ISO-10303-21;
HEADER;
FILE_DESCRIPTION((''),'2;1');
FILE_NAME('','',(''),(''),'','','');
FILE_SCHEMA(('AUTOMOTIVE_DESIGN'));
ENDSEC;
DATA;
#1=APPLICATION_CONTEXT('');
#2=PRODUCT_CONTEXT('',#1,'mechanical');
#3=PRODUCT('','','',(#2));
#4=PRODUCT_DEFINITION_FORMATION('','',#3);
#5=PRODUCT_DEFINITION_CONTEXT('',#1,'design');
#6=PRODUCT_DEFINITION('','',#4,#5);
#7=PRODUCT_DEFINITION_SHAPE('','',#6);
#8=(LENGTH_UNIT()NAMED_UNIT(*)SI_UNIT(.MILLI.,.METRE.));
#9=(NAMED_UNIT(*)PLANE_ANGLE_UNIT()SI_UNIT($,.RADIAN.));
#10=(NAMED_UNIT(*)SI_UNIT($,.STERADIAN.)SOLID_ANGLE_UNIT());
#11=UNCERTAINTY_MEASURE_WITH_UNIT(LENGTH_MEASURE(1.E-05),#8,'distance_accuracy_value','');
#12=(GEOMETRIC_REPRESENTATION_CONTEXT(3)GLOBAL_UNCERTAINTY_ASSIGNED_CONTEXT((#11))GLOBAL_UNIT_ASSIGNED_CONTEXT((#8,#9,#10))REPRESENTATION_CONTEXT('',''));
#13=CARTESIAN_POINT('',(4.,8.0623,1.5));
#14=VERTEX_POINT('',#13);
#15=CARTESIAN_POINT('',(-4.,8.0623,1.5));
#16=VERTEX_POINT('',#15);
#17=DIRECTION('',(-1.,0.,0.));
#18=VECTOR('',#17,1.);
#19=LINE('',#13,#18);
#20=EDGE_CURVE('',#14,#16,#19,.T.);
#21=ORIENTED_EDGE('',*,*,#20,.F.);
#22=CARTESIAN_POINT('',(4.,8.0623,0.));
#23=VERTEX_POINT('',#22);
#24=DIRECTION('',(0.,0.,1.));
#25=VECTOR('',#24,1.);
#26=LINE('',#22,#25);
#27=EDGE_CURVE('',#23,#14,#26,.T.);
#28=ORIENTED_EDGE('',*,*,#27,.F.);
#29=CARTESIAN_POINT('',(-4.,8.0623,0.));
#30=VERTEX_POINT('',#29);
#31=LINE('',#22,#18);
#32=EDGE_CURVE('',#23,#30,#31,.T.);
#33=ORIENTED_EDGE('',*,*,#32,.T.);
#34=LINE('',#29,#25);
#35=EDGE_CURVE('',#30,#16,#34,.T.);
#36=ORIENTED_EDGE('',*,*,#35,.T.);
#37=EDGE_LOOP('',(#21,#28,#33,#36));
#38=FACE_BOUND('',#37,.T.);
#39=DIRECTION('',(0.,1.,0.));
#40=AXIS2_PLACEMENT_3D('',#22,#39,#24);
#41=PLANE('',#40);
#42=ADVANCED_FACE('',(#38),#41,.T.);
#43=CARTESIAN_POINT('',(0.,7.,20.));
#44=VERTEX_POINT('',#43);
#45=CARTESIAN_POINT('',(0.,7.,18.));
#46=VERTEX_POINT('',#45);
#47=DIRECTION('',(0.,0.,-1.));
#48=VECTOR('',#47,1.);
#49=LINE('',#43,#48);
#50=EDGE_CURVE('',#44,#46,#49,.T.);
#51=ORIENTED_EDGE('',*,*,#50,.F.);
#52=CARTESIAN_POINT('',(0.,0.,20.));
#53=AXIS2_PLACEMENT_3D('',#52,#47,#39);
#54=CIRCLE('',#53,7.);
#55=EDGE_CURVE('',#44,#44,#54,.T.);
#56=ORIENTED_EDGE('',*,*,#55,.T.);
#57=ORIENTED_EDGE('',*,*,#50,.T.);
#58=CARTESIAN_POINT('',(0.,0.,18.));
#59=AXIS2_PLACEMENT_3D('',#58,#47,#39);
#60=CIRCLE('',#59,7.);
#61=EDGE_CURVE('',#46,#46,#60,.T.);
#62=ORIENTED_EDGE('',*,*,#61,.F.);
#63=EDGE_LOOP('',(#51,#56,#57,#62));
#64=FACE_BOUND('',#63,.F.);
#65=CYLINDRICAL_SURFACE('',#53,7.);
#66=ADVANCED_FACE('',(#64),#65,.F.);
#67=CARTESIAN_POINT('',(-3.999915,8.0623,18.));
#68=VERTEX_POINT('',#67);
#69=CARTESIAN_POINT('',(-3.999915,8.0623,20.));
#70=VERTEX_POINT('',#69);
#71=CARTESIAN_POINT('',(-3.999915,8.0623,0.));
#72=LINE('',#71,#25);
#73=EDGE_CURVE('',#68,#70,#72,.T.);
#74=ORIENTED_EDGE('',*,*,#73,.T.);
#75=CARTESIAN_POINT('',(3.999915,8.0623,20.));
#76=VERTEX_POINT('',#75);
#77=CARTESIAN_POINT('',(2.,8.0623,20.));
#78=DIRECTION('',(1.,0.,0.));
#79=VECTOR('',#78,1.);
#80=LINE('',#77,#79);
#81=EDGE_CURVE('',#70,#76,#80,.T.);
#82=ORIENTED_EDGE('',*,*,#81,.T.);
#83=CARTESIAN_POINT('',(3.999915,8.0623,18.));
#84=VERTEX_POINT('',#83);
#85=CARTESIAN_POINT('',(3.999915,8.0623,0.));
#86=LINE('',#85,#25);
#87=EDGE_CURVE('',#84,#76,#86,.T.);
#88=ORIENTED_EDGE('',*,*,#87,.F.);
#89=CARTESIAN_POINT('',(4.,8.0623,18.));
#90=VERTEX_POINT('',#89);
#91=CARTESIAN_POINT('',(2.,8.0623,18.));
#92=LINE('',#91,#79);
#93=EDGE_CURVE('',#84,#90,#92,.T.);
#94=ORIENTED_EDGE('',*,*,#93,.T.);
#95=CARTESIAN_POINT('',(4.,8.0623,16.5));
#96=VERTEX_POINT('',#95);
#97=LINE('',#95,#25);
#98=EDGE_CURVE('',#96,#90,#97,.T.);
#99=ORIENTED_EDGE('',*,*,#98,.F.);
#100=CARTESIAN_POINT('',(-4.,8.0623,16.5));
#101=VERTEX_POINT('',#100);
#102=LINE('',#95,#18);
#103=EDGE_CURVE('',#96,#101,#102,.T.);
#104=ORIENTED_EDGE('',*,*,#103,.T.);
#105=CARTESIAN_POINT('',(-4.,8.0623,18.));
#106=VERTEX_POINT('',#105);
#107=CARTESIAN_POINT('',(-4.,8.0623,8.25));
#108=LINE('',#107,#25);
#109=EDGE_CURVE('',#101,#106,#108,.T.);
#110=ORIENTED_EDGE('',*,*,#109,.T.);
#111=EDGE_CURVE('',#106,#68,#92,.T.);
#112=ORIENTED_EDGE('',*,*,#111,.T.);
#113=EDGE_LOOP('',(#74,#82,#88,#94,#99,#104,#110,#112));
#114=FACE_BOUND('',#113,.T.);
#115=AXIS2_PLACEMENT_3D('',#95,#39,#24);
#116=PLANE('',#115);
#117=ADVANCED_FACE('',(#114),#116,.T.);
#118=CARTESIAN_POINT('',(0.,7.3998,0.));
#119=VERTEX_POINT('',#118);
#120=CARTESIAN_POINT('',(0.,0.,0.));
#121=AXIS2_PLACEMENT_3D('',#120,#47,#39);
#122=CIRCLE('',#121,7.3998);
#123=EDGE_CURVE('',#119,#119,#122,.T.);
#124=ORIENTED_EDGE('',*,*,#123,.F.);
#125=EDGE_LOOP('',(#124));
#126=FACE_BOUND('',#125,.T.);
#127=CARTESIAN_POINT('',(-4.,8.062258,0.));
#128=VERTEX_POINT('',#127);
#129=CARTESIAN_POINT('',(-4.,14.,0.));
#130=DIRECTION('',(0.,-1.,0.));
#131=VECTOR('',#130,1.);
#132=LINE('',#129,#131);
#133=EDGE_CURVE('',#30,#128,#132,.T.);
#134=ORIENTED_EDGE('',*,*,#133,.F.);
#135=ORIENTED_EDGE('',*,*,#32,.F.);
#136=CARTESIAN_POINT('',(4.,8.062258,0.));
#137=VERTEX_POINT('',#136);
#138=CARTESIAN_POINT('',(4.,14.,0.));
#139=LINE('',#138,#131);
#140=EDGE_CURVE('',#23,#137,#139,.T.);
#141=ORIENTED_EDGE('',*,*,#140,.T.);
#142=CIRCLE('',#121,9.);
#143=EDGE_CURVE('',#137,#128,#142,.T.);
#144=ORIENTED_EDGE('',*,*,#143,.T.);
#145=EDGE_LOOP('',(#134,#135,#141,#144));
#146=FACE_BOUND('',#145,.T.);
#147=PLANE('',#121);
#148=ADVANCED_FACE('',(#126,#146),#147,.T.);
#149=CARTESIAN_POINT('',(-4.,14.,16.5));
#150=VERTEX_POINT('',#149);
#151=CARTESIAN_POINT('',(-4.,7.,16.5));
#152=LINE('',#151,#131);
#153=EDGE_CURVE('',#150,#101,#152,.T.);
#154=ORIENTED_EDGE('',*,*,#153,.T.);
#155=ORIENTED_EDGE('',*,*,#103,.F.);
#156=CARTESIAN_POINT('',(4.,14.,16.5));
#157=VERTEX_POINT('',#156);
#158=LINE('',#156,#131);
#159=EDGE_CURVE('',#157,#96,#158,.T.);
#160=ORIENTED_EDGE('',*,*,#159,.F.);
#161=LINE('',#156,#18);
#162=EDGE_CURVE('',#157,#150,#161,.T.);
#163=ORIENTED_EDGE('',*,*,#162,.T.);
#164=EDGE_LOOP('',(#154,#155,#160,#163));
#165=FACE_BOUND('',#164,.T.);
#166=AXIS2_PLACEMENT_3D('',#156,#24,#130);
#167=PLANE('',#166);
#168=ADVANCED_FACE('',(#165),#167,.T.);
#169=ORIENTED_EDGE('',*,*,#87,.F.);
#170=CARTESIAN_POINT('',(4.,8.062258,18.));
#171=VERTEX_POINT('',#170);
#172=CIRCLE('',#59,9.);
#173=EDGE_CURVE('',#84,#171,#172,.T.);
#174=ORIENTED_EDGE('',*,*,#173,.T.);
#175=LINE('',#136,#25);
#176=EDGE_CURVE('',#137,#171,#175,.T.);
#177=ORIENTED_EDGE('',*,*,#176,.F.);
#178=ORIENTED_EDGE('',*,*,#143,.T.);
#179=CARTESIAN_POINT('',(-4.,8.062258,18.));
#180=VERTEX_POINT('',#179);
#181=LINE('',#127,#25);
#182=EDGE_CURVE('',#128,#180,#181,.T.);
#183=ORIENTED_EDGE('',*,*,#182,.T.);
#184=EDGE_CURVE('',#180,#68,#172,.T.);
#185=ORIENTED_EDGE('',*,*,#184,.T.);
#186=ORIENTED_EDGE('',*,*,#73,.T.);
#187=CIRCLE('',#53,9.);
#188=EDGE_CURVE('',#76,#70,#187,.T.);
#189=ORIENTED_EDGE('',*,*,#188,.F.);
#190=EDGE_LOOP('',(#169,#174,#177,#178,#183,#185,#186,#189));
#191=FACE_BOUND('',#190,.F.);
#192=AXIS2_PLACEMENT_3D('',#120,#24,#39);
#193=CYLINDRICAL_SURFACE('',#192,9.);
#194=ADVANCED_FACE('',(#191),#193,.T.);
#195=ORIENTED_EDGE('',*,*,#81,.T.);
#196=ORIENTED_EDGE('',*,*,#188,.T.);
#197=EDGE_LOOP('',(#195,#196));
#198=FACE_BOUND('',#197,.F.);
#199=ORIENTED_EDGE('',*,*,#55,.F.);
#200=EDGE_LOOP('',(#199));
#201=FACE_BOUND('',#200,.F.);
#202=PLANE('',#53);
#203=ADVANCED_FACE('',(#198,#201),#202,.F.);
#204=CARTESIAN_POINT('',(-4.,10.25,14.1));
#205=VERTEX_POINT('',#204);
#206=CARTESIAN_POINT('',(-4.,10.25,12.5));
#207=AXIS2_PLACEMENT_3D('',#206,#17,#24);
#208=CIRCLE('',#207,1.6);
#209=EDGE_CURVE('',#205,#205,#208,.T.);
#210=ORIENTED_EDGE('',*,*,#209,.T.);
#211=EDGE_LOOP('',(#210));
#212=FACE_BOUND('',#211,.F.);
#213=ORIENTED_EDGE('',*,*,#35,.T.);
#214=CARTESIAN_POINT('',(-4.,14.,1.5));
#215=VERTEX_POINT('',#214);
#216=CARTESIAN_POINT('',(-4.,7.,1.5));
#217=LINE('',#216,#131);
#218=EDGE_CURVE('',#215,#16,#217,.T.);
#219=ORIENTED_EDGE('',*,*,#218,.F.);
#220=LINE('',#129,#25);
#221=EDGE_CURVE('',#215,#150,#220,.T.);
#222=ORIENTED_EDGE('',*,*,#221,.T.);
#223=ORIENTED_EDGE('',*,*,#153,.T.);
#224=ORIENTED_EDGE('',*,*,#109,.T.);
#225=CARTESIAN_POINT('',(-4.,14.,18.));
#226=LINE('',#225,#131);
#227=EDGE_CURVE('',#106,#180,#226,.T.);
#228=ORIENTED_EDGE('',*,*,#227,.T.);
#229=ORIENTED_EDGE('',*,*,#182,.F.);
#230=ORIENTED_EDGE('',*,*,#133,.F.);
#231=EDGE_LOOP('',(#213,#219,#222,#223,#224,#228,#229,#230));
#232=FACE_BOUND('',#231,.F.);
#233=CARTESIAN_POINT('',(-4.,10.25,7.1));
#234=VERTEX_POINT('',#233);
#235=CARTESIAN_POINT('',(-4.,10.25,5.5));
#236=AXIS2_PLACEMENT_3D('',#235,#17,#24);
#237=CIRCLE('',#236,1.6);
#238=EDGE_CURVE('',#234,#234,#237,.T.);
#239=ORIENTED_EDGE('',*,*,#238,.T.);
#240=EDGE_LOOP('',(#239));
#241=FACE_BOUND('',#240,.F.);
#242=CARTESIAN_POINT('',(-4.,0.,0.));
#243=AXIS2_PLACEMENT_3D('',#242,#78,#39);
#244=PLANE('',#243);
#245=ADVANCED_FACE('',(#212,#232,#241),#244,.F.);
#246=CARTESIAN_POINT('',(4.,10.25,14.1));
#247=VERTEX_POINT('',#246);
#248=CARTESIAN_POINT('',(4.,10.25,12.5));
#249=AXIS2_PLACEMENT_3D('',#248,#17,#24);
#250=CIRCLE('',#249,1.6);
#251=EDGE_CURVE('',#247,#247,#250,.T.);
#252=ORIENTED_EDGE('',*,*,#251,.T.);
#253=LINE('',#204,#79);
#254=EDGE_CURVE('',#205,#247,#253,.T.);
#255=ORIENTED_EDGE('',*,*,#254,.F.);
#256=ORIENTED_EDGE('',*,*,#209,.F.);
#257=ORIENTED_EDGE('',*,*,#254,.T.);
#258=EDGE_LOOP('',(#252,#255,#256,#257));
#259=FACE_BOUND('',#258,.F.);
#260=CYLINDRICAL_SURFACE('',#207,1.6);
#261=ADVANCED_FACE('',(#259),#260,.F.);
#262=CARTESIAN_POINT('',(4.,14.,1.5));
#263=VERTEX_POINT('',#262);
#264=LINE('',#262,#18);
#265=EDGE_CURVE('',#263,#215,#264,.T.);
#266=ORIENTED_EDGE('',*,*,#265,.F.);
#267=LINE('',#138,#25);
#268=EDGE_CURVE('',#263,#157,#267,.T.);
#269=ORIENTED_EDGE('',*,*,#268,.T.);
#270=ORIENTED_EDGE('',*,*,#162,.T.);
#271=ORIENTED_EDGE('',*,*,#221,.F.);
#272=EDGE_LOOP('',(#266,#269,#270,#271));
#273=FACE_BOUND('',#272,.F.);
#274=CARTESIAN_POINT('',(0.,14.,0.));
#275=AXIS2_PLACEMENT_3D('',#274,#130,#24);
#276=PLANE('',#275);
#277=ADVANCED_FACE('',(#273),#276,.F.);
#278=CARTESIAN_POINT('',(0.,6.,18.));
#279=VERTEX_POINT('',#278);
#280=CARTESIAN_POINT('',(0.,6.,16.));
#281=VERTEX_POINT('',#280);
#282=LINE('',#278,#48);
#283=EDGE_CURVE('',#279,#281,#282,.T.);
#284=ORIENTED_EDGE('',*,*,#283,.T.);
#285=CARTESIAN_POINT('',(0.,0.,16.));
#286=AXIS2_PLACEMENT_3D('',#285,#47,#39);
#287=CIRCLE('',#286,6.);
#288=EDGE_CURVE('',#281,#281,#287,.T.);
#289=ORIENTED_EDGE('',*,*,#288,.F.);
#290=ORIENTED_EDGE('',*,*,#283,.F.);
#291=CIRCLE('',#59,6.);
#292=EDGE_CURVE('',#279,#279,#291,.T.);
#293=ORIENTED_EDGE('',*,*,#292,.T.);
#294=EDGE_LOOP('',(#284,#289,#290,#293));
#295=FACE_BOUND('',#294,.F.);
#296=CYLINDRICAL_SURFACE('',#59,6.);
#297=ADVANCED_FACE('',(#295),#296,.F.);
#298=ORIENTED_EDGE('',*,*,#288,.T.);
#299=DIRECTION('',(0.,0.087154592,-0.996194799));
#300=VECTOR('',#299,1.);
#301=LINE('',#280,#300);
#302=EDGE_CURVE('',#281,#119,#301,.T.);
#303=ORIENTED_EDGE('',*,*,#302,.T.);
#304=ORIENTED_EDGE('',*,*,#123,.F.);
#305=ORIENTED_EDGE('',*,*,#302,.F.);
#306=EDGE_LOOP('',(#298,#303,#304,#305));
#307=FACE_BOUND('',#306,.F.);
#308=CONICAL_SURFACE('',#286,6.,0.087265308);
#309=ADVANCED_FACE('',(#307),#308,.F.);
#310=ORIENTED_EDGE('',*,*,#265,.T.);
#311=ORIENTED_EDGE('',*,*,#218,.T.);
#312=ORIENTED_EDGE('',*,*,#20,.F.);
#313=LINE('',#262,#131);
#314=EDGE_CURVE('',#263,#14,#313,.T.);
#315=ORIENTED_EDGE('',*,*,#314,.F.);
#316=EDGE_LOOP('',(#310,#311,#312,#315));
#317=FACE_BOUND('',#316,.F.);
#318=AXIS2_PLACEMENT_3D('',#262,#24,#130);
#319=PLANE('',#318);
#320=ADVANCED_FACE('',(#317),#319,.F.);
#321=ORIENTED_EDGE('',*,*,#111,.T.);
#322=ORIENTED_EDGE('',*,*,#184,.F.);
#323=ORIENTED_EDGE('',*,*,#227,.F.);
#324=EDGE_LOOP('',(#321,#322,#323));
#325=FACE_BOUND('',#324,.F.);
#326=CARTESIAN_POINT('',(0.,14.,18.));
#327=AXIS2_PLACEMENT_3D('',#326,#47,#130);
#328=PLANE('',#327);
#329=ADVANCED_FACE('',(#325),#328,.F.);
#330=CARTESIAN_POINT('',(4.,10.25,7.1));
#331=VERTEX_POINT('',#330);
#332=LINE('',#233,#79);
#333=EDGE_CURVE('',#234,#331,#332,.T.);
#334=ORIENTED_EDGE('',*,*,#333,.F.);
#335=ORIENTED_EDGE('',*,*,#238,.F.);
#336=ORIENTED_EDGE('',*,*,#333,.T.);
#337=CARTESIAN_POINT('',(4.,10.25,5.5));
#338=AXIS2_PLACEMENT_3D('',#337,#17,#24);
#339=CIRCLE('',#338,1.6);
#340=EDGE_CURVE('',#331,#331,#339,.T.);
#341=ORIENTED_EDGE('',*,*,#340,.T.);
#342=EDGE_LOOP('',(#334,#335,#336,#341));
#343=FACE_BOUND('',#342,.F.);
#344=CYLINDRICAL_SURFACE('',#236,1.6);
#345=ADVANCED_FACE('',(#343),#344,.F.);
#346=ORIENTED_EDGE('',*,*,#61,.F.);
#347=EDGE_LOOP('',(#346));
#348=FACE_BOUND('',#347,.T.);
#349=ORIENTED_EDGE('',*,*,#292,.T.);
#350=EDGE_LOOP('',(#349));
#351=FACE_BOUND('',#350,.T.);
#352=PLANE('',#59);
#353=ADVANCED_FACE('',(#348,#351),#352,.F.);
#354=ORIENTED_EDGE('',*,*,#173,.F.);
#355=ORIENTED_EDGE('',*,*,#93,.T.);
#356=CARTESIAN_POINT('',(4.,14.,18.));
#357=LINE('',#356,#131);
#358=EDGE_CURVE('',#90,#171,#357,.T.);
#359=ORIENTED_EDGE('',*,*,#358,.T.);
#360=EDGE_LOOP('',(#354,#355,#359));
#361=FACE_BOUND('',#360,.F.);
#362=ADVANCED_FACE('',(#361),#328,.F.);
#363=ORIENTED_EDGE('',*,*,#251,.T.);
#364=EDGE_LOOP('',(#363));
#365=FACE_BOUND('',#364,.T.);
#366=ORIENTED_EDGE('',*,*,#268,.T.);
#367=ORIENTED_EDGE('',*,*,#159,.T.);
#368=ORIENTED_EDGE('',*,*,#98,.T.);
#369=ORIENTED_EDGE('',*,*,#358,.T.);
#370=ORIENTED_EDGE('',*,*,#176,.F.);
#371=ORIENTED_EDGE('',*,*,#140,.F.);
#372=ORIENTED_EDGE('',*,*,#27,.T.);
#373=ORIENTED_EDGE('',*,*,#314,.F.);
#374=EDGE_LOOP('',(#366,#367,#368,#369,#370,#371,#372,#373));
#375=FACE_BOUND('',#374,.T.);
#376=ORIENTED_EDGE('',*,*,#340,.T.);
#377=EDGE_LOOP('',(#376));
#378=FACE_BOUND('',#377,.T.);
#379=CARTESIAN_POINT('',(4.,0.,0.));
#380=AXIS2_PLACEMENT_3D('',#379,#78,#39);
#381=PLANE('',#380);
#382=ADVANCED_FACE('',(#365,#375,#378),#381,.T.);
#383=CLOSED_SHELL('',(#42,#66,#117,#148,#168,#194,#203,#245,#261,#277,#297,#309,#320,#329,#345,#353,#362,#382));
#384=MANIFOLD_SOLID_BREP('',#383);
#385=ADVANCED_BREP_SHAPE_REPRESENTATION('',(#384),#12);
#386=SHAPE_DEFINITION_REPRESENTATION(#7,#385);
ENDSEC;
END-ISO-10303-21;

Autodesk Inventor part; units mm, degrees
ref_plane "YZ Plane" through (0, 0, 0) normal (1, 0, 0) x (0, 1, 0)
ref_plane "XZ Plane" through (0, 0, 0) normal (0, 1, 0) x (-1, 0, 0)
ref_plane "XY Plane" through (0, 0, 0) normal (0, 0, 1) x (1, 0, 0)
sketch "Sketch1" plane through (0, 0, 0) normal (1, 0, 0) x (0, 1, 0)
  line L0 (0, 18) -> (5.825, 18) construction
  line L1 (0, 0) -> (7.3998, 0) construction
  line L2 (0, 12.5) -> (0, 0) construction
  line L3 (7.3998, 0) -> (9, 0) construction
  line L4 (9, 0) -> (9, 18)
  line L5 (9, 18) -> (9, 18)
  line L6 (9, 18) -> (9, 20)
  line L7 (9, 20) -> (7, 20)
  line L8 (7, 20) -> (7, 18)
  line L9 (5.825, 18) -> (7, 18) construction
  line L10 (5.825, 18) -> (7.3998, 0) construction
  line L11 (6, 18) -> (7, 18)
  line L12 (6, 16) -> (7.3998, 0)
  line L13 (9, 0) -> (7.3998, 0)
  line L14 (6, 18) -> (6, 16)
  point P0 (2.25, 0)
  dimension "d2" = 18
  dimension "d12" = 2
  dimension "d14" = 0
  dimension "d16" = 2
  dimension "d17" = 7
  dimension "d35" = 95
  dimension "d36" = 9
  dimension "d57" = 2
  dimension "d60" = 6
revolve "Revolution1" add sketch "Sketch1" angle 360 about axis through (0, 0, 12.5) along (0, 0, -1)
sketch "Sketch3" plane through (0, 0, 0) normal (1, 0, 0) x (0, 1, 0)
  line L0 (14, 0) -> (14, 18)
  line L1 (14, 18) -> (7.3998, 18)
  line L2 (14, 0) -> (7.3998, 0)
  line L3 (-7.3998, 0) -> (7.3998, 0) projected
  line L4 (7.3998, 0) -> (7.3998, 18)
  line L5 (-6, 18) -> (6, 18) projected
  point P0 (0, 0)
  dimension "d28" = 14
extrude "Extrusion1" add sketch "Sketch3" along normal mid plane 8
sketch "Sketch4" plane through (-4, 0, 0) normal (-1, 0, 0) x (0, 0, 1)
  circle A0 centre (5.5, 10.25) radius 1.6
  circle A1 centre (12.5, 10.25) radius 1.6
  line L0 (5.5, 10.25) -> (12.5, 10.25) construction
  line L1 (18, 14) -> (0, 14) construction
  point P0 (0, 0)
  point P1 (17, 10.25)
  point P2 (9, 10.25)
  point P3 (9, 14)
  dimension "d29" = 3.2
  dimension "d30" = 3.2
  dimension "d31" = 7
  dimension "d34" = 3.75
extrude "Extrusion2" cut sketch "Sketch4" against normal blind 10
sketch "Sketch5" plane through (4, 0, 0) normal (1, 0, 0) x (0, 0, -1)
  circle A0 centre (-5.5, 10.25) radius 1.6 projected
  circle A1 centre (-12.5, 10.25) radius 1.6 projected
  line L0 (0, 8.0623) -> (-18, 8.0623) projected
  line L1 (-20.496, 14) -> (-16.5, 14)
  line L2 (-16.5, 14) -> (-16.5, 8.0623)
  line L3 (-16.5, 8.0623) -> (-20.496, 8.0623)
  line L4 (-20.496, 8.0623) -> (-20.496, 14)
  line L5 (0, 14) -> (-1.5, 14)
  line L6 (-1.5, 14) -> (-1.5, 8.0623)
  line L7 (-1.5, 8.0623) -> (0, 8.0623)
  line L8 (0, 8.0623) -> (0, 14)
  line L9 (0, 14) -> (-18, 14) projected
  point P0 (0, 0)
  dimension "d47" = 15
  dimension "d49" = 4
  dimension "d50" = 4
extrude "Extrusion3" cut sketch "Sketch5" against normal blind 10 contours L0 L6 L5 L8 | L0 L3 L4 L1 L2
equation "\"d49\" = d50"
properties part number "brush holder v4"
